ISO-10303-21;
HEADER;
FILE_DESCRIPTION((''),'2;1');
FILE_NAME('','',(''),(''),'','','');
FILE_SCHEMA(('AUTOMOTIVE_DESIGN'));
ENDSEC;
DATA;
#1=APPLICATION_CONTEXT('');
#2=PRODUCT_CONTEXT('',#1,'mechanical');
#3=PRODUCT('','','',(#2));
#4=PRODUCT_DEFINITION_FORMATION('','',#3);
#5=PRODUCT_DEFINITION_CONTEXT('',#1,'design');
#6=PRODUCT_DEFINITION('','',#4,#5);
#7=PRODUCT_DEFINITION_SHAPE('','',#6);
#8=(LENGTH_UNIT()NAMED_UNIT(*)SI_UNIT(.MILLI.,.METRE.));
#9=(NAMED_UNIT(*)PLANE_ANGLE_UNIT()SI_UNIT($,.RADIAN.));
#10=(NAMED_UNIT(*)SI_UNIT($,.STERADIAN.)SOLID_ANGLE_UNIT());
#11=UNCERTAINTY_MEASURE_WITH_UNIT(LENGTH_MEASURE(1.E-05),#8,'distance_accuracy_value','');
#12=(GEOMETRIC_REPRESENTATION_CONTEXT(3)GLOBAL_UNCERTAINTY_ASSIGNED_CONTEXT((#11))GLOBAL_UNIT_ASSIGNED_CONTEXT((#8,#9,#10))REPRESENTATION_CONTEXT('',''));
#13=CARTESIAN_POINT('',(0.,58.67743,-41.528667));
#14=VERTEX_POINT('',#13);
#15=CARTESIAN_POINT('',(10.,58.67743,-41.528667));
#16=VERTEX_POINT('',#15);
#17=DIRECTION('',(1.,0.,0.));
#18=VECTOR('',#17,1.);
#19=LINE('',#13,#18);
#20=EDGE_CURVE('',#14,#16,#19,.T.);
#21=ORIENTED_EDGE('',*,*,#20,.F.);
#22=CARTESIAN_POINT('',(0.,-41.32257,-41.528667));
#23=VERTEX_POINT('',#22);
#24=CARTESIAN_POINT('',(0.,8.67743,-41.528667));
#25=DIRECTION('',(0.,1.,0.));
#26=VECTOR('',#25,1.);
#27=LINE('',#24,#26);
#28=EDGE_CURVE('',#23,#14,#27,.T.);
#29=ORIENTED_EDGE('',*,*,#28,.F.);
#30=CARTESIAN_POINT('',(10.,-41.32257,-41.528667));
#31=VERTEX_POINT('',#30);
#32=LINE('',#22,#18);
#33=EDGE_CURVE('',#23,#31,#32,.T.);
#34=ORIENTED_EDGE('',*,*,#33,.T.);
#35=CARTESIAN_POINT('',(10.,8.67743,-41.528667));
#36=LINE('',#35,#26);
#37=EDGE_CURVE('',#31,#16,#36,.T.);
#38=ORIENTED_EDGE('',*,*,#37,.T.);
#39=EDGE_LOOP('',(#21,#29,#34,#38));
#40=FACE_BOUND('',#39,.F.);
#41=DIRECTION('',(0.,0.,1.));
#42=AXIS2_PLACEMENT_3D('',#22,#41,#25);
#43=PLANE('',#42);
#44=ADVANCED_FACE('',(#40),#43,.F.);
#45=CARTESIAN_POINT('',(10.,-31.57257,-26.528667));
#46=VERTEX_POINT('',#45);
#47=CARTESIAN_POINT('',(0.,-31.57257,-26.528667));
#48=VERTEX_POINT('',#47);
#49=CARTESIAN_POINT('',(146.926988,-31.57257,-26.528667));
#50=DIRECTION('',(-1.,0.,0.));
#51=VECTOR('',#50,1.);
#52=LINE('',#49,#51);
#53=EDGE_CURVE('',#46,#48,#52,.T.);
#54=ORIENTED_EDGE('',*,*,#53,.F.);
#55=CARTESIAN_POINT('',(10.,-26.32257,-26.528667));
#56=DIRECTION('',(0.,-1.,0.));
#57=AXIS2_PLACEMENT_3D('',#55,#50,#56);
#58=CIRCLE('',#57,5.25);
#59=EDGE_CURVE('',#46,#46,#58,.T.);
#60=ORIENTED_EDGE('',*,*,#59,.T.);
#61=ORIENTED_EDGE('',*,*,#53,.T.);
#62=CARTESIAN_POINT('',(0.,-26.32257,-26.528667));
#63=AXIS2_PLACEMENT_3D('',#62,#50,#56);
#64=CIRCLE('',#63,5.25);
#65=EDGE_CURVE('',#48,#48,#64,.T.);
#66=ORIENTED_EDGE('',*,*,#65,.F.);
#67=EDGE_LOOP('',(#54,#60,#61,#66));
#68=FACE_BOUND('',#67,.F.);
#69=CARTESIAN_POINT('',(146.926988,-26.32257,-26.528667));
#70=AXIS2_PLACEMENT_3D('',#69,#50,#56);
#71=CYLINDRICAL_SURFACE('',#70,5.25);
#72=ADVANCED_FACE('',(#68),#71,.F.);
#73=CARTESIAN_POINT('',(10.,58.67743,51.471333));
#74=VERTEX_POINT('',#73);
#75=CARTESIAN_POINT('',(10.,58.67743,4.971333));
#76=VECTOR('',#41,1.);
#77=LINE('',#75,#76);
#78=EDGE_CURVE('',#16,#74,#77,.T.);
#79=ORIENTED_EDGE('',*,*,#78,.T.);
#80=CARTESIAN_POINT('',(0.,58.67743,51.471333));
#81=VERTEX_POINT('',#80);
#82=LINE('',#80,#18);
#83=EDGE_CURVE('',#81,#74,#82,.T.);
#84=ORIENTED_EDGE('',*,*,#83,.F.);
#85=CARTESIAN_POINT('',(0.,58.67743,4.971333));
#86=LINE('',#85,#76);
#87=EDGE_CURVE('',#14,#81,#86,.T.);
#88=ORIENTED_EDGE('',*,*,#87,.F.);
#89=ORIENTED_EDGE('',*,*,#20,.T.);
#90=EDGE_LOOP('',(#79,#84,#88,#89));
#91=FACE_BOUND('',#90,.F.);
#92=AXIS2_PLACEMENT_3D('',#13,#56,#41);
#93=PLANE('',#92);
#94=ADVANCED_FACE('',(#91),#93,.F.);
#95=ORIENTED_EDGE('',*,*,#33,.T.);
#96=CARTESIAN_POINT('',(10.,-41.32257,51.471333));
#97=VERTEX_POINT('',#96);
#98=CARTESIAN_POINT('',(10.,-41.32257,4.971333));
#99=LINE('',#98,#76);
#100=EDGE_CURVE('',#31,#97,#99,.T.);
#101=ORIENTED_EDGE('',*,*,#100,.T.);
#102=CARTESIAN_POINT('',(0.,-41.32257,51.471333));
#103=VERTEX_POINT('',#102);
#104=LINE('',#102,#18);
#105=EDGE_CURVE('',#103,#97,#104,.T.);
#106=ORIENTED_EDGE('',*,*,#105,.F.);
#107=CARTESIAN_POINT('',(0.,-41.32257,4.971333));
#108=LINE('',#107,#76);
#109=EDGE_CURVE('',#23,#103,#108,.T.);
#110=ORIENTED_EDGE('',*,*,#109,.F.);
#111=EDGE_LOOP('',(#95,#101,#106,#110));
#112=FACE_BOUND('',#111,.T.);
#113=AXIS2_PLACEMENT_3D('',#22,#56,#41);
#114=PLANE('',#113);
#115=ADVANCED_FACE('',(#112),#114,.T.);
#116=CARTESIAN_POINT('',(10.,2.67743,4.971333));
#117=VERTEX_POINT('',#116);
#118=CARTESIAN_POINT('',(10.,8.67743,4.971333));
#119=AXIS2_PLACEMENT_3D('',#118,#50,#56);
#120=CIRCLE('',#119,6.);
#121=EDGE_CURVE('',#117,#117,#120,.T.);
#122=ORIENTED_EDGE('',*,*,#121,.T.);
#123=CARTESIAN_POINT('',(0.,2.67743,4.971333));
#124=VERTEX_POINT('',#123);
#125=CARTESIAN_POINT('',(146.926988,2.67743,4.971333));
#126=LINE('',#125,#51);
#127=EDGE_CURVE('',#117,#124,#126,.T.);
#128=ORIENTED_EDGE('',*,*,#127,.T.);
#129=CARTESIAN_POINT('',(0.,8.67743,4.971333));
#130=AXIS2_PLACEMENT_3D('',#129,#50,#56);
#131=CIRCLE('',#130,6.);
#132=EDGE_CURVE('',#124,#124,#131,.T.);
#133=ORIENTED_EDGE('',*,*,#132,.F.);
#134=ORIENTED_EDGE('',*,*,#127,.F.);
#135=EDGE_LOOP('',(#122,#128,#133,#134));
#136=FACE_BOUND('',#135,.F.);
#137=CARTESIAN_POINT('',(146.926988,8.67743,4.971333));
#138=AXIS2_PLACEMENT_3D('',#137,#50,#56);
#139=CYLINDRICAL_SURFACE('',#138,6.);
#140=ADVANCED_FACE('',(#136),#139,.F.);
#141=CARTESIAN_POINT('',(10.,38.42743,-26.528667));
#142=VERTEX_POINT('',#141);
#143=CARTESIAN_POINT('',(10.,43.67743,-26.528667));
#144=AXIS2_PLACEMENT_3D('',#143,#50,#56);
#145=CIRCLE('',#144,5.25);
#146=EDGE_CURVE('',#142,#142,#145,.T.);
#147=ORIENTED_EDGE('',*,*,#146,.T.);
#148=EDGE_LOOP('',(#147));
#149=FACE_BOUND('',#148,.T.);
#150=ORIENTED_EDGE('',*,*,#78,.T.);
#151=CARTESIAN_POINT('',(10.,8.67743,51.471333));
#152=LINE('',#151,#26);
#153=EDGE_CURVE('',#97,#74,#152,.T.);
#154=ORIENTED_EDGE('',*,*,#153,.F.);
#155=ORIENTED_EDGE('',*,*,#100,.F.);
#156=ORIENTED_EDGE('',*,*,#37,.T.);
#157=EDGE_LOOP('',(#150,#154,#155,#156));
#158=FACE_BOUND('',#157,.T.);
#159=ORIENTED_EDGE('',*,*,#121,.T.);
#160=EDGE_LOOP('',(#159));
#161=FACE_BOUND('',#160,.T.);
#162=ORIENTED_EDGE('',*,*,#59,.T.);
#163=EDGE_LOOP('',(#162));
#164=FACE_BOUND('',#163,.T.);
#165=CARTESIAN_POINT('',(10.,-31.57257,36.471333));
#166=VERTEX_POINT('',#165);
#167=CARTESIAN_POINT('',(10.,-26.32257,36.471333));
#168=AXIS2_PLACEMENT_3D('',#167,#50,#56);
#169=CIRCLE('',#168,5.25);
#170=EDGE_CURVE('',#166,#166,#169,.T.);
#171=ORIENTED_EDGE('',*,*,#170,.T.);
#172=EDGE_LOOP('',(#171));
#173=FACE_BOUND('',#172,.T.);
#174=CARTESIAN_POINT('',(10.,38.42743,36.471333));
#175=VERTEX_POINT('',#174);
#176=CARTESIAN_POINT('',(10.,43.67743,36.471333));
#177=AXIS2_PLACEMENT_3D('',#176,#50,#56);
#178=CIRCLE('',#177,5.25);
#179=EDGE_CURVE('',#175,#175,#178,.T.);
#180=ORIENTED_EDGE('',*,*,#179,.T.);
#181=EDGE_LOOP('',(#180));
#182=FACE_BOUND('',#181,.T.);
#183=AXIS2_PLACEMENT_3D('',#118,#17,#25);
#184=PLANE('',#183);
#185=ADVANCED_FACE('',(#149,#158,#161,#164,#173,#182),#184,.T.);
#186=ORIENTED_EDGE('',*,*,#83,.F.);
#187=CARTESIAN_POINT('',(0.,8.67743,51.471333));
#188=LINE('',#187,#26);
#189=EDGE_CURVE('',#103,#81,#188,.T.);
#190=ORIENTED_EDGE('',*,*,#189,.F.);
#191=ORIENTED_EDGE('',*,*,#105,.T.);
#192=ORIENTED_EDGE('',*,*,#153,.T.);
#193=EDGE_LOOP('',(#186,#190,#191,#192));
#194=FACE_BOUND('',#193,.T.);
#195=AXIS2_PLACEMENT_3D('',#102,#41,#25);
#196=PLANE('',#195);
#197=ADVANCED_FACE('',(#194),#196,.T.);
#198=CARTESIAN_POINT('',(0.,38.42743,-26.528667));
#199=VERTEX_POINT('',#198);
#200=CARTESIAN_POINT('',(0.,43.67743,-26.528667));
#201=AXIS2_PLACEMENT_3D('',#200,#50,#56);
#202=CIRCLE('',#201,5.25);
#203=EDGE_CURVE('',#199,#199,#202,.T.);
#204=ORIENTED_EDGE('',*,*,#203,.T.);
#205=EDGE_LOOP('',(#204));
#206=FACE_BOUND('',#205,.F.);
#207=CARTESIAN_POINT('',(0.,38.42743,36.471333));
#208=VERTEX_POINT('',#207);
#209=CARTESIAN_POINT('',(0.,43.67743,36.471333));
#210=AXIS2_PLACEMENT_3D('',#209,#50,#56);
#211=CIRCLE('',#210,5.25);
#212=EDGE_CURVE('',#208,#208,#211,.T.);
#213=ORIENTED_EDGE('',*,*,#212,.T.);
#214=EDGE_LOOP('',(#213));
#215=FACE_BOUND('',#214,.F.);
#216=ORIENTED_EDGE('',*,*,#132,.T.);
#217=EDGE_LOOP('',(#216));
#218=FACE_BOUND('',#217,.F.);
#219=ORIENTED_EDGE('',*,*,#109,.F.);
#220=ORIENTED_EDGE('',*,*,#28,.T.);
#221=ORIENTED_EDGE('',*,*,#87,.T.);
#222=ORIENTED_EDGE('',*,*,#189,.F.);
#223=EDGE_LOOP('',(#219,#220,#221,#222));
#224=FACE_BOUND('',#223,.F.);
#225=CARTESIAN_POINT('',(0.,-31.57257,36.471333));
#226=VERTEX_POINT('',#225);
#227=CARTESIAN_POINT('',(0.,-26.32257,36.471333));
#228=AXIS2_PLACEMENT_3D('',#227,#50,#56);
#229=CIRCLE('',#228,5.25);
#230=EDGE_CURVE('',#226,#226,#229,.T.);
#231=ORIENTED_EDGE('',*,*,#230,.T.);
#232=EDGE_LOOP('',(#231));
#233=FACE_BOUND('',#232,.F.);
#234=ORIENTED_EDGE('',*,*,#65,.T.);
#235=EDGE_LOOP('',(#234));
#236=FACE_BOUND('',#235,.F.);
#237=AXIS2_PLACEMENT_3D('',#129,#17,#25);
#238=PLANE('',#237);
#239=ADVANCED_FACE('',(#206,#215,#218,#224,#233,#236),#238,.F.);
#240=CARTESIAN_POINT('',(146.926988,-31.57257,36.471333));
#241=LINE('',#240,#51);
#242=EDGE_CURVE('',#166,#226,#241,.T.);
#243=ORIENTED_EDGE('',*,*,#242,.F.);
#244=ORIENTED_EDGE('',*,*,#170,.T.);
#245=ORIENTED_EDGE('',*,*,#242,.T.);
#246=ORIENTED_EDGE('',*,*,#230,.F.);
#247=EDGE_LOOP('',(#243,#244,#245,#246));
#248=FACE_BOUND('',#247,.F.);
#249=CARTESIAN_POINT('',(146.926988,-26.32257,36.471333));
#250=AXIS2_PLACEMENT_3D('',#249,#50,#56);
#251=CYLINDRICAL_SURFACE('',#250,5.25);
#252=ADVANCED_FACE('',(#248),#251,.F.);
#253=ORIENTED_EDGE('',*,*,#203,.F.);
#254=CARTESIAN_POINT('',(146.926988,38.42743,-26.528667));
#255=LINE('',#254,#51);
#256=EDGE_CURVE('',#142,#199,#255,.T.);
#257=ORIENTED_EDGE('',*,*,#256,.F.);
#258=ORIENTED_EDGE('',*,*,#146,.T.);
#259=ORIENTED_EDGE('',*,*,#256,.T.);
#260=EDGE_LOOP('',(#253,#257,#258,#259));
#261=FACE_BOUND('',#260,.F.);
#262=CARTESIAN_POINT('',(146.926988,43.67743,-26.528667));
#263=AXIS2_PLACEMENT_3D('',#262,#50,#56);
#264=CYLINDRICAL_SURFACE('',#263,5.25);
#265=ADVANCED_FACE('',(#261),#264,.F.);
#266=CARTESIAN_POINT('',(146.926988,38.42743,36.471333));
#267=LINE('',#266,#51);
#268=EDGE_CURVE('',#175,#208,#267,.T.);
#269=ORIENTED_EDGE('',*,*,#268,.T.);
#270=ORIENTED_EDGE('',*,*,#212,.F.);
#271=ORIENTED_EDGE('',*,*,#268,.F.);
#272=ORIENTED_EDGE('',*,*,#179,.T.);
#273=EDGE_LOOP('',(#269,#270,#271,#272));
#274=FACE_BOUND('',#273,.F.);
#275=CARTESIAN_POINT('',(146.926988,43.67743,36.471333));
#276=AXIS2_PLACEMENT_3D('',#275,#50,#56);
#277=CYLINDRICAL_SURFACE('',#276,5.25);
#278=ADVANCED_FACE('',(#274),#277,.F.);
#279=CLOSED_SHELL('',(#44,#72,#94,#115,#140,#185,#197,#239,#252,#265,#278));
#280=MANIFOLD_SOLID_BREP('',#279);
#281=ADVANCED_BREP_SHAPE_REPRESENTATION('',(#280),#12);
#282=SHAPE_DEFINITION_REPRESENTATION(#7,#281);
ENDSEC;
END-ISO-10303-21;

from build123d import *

# Parameters (mm, degrees)
F0_W     = 100
F0_H     = 93
F1_DEPTH = 10
F3_D     = 10.5
F4_D     = 12


with BuildPart() as f1:
    # F0 (on Right) → F1 (new body)
    with BuildSketch(Plane.YZ):
        with Locations((8.67743, 4.971333)):
            Rectangle(F0_W, F0_H)
    extrude(amount=F1_DEPTH)

    # F3 (through all)
    with Locations(Plane.YZ.offset(10)):
        with Locations((-26.32257, 36.471333), (43.67743, 36.471333), (-26.32257, -26.528667), (43.67743, -26.528667)):
            Hole(F3_D / 2)

    # F4 (through all)
    with Locations(Plane.YZ.offset(10)):
        with Locations((8.67743, 4.971333)):
            Hole(F4_D / 2)


solid = f1.part
